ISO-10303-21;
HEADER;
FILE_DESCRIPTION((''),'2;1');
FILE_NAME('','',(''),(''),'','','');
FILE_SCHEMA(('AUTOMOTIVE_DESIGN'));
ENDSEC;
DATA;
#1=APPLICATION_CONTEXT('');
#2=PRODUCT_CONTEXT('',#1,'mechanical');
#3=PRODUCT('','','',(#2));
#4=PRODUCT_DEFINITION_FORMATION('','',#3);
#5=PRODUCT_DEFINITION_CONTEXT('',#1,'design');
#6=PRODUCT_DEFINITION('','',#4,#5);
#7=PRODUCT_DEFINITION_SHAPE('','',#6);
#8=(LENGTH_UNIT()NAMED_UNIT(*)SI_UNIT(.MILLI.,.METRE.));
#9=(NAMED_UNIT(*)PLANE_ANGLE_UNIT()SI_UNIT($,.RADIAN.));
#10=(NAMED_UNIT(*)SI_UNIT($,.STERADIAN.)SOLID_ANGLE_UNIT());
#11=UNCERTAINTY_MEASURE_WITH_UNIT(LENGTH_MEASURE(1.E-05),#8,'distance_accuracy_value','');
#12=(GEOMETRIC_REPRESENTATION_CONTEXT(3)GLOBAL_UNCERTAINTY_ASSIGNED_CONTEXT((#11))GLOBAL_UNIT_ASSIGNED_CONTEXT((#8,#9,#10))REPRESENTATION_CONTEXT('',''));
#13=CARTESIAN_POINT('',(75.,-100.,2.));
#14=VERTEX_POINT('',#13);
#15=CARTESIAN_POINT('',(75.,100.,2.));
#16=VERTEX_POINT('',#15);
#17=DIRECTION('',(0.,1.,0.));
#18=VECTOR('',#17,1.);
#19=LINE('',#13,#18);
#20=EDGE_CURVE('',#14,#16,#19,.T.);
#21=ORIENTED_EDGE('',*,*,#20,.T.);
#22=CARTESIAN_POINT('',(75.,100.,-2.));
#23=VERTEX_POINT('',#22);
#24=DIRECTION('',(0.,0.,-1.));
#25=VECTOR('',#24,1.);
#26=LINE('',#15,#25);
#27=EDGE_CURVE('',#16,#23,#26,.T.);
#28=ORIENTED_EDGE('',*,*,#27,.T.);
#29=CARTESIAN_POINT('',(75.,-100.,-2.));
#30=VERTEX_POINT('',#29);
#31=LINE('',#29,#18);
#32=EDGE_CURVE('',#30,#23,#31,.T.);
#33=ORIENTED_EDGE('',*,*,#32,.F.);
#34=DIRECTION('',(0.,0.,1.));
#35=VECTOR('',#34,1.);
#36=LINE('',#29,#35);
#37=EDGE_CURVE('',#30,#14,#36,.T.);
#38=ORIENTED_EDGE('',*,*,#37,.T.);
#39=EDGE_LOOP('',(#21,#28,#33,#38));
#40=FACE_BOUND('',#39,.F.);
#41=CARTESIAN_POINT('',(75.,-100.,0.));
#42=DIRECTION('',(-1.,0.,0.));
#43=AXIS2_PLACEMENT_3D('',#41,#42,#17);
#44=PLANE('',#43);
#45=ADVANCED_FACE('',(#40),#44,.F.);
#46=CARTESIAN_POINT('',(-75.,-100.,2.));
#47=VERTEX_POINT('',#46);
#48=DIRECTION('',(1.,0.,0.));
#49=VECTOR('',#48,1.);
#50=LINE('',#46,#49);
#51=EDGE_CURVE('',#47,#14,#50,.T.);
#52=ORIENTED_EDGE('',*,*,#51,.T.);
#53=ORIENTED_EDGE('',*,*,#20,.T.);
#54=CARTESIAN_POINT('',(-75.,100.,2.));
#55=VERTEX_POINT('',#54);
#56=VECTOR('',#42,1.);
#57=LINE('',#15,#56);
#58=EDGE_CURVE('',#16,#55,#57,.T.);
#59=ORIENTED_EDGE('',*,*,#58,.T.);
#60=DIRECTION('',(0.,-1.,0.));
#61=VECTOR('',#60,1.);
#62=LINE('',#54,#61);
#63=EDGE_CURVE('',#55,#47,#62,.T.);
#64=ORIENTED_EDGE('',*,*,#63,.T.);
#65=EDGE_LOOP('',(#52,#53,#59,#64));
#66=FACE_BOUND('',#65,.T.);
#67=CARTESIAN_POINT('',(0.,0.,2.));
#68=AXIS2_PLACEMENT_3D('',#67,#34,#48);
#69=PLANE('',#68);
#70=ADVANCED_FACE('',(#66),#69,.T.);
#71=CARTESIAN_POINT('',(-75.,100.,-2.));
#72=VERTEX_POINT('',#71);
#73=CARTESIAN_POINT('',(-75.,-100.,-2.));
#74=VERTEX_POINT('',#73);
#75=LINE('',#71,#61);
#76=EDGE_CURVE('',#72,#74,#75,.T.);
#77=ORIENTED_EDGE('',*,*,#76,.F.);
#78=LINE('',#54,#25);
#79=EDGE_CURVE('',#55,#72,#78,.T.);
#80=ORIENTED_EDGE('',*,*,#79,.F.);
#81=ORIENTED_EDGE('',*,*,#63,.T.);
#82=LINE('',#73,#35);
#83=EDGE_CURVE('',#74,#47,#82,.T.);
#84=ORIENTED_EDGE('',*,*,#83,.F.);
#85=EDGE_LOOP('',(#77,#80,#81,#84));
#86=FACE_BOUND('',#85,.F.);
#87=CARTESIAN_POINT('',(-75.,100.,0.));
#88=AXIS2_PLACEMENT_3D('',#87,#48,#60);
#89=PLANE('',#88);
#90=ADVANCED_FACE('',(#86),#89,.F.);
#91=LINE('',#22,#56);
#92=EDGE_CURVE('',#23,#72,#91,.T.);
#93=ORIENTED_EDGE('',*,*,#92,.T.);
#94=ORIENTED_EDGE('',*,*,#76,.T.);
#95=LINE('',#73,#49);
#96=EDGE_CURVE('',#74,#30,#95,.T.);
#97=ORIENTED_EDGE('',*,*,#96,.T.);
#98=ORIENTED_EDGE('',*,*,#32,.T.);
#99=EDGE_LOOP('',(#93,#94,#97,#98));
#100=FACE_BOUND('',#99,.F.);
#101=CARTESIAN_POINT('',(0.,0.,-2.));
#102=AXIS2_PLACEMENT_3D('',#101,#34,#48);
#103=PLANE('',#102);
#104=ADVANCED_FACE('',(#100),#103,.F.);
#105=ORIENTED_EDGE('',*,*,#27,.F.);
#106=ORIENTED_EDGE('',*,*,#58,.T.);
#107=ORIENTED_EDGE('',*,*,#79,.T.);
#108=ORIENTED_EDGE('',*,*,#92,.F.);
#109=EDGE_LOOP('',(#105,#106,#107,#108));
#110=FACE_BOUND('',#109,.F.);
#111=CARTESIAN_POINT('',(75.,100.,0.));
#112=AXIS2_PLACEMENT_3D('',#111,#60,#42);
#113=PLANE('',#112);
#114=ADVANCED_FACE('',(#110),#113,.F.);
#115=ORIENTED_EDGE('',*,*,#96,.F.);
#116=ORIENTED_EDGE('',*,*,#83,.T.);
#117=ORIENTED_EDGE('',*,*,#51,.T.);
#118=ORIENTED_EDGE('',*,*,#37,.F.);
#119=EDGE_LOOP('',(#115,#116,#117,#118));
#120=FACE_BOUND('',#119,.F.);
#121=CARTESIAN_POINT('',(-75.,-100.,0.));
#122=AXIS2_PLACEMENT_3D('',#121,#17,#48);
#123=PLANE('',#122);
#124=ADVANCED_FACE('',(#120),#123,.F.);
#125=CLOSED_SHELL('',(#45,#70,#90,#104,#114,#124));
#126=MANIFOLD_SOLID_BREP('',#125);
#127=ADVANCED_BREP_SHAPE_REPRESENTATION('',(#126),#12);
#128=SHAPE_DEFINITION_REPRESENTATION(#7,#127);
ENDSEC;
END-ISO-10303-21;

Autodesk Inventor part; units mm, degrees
ref_plane "YZ Plane" through (0, 0, 0) normal (1, 0, 0) x (0, 1, 0)
ref_plane "XZ Plane" through (0, 0, 0) normal (0, 1, 0) x (-1, 0, 0)
ref_plane "XY Plane" through (0, 0, 0) normal (0, 0, 1) x (1, 0, 0)
sketch "Эскиз1" plane through (0, 0, 0) normal (0, 0, 1) x (1, 0, 0)
  line L0 (-75, -100) -> (75, -100)
  line L1 (75, -100) -> (75, 100)
  line L2 (75, 100) -> (-75, 100)
  line L3 (-75, 100) -> (-75, -100)
  line L4 (-75, -100) -> (75, 100) construction
  line L5 (75, -100) -> (-75, 100) construction
  point P0 (0, 0)
  dimension "d0" = 200
  dimension "d1" = 150
extrude "Выдавливание1" add sketch "Эскиз1" along normal mid plane 4
properties part number "Внутренние_стенки"
